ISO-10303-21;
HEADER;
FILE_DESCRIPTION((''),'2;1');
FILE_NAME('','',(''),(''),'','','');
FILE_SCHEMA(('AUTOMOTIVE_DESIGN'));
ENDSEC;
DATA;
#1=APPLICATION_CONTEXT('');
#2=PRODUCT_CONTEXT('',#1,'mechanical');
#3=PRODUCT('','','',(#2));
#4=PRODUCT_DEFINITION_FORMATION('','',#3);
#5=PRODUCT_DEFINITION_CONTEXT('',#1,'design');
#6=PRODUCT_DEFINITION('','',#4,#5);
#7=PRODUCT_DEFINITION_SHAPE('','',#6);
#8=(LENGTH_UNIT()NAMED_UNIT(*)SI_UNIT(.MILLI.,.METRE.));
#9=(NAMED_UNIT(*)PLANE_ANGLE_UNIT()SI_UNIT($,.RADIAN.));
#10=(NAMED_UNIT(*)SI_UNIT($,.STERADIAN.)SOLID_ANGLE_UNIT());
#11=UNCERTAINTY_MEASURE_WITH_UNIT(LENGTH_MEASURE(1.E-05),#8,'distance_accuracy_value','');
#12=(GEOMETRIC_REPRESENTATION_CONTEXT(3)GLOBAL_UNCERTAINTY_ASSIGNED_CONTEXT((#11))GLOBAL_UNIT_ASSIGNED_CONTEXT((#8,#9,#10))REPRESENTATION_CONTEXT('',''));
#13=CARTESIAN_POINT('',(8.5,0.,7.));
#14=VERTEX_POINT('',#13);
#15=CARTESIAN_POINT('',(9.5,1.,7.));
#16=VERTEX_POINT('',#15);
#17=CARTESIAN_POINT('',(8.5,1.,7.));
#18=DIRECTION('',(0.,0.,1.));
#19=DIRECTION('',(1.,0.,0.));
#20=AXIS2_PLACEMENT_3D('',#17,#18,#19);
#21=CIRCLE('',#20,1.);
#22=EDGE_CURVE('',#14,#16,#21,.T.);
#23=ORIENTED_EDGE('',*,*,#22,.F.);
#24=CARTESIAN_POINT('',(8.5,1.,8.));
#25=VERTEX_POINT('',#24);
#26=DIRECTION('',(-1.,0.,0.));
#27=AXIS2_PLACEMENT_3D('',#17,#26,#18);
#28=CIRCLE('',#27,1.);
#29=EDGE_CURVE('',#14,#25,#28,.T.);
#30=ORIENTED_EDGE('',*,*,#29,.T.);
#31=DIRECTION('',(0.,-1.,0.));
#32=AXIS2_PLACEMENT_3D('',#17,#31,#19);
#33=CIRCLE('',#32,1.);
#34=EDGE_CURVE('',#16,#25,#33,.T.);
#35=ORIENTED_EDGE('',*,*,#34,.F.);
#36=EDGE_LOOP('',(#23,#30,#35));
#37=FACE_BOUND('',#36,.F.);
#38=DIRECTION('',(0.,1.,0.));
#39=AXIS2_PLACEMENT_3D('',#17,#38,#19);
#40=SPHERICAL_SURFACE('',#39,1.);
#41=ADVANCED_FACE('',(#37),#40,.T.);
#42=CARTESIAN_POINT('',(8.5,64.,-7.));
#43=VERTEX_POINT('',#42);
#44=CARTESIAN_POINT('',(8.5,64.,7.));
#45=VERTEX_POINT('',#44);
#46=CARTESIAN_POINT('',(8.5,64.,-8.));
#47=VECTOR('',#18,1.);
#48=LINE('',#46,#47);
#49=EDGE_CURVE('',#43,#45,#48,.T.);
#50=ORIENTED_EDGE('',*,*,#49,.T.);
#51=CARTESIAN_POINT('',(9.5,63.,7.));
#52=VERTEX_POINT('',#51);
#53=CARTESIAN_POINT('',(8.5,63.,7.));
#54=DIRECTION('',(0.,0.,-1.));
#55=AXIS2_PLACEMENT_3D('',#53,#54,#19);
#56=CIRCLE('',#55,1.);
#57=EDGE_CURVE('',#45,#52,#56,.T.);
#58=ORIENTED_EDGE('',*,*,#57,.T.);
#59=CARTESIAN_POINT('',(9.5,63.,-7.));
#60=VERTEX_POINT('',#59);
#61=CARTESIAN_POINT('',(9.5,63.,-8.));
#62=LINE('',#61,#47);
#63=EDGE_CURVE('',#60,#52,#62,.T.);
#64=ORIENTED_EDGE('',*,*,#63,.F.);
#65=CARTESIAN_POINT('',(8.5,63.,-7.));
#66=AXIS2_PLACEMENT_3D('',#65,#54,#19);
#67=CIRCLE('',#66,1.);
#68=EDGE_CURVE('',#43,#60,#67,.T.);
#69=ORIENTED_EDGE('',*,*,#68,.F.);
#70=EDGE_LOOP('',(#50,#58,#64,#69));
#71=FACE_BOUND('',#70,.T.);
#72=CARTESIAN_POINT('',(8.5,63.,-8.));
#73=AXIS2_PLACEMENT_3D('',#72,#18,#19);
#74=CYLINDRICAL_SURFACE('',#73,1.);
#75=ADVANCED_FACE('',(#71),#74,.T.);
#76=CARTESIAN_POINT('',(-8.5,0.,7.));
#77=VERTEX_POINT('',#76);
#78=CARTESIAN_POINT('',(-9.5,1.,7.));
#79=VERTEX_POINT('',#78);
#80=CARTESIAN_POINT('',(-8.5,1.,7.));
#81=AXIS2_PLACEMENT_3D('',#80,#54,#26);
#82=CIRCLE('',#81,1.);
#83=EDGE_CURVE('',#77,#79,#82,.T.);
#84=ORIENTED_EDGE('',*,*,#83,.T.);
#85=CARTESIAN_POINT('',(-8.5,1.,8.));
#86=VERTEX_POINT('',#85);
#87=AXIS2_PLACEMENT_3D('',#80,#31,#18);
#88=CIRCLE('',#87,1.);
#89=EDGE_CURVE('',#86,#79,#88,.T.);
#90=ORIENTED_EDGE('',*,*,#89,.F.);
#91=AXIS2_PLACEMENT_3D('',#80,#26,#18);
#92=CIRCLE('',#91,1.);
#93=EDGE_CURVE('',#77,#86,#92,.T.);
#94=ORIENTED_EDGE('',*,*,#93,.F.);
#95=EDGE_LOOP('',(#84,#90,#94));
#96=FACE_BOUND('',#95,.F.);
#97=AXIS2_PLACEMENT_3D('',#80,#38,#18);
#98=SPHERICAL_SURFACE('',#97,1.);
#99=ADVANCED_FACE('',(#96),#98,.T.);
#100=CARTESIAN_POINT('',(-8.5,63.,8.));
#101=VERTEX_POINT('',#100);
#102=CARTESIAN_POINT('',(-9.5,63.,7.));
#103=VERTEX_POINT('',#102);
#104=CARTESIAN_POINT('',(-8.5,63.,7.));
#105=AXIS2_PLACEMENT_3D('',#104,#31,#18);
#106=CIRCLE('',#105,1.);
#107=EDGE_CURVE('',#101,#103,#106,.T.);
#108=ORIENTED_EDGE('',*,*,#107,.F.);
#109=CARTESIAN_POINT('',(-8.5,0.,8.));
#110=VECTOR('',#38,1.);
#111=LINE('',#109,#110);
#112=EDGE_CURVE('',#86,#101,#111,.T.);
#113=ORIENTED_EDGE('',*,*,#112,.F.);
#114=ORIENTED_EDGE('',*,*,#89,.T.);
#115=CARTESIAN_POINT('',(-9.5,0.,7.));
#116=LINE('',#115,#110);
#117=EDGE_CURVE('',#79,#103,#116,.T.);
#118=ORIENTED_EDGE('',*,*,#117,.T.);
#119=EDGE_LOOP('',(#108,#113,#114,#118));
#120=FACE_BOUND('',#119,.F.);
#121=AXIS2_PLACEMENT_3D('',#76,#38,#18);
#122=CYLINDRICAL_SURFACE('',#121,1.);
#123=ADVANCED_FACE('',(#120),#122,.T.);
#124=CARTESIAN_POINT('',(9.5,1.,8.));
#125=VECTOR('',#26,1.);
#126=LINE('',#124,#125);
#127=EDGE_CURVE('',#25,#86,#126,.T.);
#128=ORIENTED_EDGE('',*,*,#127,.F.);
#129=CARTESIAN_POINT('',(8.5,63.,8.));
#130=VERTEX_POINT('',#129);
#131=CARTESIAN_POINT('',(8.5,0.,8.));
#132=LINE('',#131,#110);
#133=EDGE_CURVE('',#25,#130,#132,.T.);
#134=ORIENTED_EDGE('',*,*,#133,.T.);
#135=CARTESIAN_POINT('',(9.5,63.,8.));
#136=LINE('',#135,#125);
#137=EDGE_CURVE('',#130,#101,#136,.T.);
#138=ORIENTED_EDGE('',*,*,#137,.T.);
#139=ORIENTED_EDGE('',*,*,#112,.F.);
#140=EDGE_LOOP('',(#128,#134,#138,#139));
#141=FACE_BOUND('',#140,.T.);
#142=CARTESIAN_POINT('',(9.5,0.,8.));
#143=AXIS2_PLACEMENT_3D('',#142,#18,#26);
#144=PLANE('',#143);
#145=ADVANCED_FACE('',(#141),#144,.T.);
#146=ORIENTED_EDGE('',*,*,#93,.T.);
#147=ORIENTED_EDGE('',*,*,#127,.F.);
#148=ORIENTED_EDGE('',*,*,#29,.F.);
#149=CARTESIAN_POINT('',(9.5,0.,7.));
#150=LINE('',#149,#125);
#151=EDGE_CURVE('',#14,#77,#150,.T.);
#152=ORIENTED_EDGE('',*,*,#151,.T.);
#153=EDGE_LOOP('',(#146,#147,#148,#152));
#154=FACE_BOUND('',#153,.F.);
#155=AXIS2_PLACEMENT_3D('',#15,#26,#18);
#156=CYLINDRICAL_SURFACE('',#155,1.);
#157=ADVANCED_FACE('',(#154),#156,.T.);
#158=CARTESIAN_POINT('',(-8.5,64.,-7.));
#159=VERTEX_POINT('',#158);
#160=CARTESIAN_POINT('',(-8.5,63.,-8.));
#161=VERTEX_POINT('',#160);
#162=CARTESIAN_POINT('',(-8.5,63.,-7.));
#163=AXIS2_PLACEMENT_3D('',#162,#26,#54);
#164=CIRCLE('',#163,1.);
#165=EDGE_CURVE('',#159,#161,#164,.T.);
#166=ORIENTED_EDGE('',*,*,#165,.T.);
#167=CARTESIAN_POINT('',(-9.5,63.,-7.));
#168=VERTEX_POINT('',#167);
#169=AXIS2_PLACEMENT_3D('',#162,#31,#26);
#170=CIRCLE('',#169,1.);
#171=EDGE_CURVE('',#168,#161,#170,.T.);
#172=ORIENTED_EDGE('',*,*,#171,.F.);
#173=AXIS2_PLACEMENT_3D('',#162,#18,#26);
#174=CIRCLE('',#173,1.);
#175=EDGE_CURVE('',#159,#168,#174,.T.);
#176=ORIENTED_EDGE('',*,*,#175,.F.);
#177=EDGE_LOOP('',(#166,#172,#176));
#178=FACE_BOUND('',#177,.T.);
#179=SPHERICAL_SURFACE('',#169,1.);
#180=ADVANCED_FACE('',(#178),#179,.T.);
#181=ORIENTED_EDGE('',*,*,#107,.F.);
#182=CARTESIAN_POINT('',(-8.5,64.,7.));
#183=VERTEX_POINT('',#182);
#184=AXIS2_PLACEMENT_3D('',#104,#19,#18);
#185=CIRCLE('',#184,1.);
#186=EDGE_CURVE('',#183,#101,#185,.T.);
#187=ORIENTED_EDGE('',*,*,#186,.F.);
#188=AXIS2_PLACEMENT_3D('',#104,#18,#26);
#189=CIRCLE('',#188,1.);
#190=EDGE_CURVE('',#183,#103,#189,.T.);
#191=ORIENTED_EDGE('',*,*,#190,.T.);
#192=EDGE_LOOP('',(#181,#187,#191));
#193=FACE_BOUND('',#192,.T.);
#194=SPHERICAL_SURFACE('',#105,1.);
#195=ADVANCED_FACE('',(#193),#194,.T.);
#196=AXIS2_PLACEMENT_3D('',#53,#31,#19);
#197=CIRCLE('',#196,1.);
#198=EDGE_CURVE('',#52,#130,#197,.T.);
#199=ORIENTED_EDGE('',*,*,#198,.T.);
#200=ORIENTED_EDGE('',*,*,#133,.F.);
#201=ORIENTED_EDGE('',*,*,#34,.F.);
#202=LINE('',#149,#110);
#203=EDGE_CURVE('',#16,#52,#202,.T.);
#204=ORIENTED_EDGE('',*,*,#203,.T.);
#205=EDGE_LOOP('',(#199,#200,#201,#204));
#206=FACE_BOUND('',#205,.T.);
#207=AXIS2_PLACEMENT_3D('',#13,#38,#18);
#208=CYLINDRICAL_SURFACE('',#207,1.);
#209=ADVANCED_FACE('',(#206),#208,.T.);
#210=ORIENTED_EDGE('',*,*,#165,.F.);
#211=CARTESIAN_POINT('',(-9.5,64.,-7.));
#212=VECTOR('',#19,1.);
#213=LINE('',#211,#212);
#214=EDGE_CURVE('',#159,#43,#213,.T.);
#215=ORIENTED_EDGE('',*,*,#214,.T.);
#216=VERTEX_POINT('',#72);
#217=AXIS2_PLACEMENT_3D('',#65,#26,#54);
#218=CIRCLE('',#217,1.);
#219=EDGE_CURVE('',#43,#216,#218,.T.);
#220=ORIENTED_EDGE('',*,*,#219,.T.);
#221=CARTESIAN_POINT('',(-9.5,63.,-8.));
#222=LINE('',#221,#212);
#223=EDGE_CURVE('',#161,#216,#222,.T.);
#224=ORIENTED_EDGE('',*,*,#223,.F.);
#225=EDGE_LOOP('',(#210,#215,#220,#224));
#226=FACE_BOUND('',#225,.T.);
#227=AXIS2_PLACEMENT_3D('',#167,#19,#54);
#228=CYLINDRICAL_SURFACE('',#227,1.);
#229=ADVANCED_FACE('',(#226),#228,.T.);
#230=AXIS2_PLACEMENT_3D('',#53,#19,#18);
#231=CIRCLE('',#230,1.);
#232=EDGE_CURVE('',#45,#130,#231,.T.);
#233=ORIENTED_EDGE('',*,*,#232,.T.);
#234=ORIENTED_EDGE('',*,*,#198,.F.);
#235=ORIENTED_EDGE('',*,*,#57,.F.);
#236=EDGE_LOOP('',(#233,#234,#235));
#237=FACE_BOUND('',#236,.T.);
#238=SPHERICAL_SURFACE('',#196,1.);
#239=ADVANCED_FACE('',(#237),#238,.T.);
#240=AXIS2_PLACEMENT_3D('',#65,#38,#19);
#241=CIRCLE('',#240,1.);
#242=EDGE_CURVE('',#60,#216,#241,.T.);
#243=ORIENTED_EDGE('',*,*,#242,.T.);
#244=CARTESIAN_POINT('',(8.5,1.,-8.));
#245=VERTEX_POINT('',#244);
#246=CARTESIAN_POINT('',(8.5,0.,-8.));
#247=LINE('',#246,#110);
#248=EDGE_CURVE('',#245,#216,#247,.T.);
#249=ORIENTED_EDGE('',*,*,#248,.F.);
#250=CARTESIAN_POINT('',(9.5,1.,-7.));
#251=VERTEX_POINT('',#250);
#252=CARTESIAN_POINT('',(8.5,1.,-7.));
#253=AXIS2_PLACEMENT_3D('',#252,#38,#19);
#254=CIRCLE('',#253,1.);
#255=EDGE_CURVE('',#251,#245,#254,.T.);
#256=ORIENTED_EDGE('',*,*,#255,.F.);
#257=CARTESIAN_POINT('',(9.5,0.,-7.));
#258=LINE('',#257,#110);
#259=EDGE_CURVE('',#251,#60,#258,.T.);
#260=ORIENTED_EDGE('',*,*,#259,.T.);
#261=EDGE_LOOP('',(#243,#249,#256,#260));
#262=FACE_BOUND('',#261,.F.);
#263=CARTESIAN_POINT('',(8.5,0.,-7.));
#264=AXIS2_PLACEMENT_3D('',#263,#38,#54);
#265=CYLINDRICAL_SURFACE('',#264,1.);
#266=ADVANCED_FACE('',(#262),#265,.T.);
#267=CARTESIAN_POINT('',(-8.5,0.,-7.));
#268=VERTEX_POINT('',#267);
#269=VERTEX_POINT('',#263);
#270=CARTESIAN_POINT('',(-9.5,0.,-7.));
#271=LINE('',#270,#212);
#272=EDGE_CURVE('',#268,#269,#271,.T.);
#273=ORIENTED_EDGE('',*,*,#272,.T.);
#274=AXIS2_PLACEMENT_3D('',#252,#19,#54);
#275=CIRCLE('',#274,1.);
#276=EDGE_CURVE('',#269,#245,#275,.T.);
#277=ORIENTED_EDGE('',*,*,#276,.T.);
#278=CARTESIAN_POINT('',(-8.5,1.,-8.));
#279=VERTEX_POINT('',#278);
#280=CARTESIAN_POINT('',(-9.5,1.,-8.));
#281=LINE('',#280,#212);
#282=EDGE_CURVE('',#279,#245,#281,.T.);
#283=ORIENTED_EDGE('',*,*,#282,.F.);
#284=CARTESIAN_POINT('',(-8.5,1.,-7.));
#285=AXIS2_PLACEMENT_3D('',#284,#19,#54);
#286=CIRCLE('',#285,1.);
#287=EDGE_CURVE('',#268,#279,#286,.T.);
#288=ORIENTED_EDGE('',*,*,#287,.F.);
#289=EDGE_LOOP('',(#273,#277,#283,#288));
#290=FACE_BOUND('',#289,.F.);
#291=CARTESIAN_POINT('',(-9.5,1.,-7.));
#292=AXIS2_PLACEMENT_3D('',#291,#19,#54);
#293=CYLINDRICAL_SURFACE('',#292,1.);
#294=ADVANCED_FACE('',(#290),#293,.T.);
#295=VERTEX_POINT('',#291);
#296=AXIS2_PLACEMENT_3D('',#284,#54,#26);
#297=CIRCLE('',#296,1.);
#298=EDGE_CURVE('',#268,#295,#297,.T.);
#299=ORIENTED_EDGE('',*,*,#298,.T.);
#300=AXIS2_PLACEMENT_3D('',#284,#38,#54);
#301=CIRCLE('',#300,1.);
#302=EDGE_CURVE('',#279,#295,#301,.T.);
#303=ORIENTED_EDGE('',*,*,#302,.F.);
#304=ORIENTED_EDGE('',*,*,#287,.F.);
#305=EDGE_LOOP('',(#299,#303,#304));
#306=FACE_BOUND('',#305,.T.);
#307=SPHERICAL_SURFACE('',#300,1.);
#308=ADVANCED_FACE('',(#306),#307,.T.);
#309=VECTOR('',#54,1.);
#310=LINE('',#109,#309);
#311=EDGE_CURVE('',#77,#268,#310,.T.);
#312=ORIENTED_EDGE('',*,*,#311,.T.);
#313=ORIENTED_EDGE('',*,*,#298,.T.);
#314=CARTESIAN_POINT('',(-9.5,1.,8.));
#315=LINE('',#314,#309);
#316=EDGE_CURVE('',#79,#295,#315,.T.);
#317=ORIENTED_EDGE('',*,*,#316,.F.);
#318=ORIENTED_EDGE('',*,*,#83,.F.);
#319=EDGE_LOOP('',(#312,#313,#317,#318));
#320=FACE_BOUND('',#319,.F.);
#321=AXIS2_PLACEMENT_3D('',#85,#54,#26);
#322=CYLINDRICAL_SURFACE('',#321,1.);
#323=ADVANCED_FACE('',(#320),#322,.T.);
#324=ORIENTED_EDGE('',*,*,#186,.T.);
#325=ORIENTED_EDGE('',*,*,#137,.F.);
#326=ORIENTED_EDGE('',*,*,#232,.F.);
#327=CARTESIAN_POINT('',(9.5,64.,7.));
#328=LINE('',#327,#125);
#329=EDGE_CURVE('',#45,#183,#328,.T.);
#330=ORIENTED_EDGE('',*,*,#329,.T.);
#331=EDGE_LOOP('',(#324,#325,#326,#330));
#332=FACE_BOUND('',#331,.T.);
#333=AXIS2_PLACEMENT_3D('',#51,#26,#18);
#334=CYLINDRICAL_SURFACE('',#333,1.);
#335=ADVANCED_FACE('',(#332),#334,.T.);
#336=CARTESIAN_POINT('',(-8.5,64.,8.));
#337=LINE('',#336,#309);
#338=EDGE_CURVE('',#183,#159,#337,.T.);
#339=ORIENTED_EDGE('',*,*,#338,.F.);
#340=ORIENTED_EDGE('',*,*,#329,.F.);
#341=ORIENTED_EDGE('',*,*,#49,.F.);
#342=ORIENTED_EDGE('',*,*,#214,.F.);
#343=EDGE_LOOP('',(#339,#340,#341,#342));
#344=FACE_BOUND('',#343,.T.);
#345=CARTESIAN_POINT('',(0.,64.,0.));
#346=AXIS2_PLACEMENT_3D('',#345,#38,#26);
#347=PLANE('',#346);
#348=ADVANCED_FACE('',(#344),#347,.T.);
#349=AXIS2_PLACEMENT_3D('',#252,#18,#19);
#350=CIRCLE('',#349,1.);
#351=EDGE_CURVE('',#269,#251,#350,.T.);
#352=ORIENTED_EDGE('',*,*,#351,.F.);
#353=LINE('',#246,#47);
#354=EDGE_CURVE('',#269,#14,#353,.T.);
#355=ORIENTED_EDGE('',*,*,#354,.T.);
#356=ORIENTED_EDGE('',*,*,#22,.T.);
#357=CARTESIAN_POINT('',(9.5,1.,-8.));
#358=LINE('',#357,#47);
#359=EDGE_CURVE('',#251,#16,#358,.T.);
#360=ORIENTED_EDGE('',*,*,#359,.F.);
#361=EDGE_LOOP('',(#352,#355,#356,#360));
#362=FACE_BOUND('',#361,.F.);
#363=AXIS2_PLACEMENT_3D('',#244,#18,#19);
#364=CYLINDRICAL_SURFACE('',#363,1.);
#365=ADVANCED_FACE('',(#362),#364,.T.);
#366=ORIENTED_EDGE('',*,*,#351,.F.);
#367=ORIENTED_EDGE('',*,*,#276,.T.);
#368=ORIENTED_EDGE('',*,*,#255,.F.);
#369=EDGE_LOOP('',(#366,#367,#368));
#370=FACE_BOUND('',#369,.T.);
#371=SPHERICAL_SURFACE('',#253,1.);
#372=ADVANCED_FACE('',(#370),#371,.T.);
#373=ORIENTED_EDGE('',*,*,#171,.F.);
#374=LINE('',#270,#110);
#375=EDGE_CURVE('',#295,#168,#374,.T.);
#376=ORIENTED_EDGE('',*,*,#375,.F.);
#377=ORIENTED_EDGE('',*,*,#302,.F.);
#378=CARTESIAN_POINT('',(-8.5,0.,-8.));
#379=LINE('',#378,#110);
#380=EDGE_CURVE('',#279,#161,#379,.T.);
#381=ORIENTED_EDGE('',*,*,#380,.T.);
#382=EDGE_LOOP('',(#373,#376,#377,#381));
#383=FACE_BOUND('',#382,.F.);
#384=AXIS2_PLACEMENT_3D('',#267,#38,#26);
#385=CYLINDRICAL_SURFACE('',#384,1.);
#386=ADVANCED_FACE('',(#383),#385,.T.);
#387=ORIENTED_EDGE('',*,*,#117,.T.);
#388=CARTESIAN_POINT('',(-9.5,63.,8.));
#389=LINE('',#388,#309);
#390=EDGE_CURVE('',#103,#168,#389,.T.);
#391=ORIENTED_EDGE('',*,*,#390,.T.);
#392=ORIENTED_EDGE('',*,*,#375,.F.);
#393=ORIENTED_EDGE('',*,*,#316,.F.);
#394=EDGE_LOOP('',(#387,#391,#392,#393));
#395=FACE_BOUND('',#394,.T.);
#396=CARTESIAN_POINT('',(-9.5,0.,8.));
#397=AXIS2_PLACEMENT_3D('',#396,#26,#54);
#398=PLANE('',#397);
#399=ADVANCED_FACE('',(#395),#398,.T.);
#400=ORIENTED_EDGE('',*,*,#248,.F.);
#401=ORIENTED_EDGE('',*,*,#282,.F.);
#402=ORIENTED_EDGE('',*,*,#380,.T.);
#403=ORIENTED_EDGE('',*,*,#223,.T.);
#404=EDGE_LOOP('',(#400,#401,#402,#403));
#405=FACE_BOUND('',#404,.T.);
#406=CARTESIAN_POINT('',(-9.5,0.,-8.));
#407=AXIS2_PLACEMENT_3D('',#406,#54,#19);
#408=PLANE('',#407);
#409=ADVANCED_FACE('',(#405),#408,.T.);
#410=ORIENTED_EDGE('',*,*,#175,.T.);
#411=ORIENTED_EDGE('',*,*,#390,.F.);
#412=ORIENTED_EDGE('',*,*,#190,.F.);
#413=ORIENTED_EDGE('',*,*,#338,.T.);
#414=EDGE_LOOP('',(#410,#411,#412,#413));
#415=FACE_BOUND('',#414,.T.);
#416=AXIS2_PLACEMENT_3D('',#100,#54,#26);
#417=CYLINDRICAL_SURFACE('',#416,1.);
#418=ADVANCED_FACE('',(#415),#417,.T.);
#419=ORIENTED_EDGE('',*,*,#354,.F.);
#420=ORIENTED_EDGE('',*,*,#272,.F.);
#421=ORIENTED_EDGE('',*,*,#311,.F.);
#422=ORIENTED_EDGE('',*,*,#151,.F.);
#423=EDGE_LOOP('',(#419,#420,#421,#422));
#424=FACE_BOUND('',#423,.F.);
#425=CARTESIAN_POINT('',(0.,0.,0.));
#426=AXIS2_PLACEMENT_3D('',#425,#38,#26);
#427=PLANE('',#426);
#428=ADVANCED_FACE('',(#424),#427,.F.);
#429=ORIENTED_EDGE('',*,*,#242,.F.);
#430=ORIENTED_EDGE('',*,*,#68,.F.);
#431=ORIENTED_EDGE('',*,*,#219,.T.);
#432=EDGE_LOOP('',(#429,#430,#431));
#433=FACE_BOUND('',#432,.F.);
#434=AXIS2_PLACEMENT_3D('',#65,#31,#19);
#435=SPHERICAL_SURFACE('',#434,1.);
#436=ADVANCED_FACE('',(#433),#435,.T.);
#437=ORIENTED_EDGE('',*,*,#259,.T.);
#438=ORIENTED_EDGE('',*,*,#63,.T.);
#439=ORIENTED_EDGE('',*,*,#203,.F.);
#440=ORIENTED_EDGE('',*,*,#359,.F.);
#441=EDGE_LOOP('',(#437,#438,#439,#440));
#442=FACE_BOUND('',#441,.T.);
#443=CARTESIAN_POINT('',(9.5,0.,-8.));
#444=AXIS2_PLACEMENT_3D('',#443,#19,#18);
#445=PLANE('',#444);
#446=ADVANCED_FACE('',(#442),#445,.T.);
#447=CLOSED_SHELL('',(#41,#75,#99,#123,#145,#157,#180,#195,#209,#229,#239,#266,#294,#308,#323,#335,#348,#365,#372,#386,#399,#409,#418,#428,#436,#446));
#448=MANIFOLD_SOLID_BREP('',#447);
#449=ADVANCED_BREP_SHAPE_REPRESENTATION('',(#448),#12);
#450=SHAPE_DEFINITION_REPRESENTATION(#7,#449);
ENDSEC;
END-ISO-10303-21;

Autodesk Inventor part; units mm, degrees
ref_plane "YZ Plane" through (0, 0, 0) normal (1, 0, 0) x (0, 1, 0)
ref_plane "XZ Plane" through (0, 0, 0) normal (0, 1, 0) x (-1, 0, 0)
ref_plane "XY Plane" through (0, 0, 0) normal (0, 0, 1) x (1, 0, 0)
sketch "Skizze1" plane through (0, 0, 0) normal (0, 1, 0) x (-1, 0, 0)
  line L0 (-9.5, 8) -> (9.5, 8)
  line L1 (9.5, 8) -> (9.5, -8)
  line L2 (9.5, -8) -> (-9.5, -8)
  line L3 (-9.5, -8) -> (-9.5, 8)
  line L4 (-9.5, 8) -> (9.5, -8) construction
  line L5 (9.5, 8) -> (-9.5, -8) construction
  point P0 (0, 0)
  dimension "d0" = 19
  dimension "d1" = 16
extrude "Extrusion1" add sketch "Skizze1" along normal blind 64
fillet "Rundung1" radius 1 12 edges at (9.5, 32, 8) (-9.5, 32, 8) (-9.5, 32, -8) (9.5, 32, -8) (9.5, 64, 0) (0, 64, 8) (-9.5, 64, 0) (0, 64, -8) (9.5, 0, 0) (0, 0, 8) (0, 0, -8) (-9.5, 0, 0)
properties part number "Schussakku"
